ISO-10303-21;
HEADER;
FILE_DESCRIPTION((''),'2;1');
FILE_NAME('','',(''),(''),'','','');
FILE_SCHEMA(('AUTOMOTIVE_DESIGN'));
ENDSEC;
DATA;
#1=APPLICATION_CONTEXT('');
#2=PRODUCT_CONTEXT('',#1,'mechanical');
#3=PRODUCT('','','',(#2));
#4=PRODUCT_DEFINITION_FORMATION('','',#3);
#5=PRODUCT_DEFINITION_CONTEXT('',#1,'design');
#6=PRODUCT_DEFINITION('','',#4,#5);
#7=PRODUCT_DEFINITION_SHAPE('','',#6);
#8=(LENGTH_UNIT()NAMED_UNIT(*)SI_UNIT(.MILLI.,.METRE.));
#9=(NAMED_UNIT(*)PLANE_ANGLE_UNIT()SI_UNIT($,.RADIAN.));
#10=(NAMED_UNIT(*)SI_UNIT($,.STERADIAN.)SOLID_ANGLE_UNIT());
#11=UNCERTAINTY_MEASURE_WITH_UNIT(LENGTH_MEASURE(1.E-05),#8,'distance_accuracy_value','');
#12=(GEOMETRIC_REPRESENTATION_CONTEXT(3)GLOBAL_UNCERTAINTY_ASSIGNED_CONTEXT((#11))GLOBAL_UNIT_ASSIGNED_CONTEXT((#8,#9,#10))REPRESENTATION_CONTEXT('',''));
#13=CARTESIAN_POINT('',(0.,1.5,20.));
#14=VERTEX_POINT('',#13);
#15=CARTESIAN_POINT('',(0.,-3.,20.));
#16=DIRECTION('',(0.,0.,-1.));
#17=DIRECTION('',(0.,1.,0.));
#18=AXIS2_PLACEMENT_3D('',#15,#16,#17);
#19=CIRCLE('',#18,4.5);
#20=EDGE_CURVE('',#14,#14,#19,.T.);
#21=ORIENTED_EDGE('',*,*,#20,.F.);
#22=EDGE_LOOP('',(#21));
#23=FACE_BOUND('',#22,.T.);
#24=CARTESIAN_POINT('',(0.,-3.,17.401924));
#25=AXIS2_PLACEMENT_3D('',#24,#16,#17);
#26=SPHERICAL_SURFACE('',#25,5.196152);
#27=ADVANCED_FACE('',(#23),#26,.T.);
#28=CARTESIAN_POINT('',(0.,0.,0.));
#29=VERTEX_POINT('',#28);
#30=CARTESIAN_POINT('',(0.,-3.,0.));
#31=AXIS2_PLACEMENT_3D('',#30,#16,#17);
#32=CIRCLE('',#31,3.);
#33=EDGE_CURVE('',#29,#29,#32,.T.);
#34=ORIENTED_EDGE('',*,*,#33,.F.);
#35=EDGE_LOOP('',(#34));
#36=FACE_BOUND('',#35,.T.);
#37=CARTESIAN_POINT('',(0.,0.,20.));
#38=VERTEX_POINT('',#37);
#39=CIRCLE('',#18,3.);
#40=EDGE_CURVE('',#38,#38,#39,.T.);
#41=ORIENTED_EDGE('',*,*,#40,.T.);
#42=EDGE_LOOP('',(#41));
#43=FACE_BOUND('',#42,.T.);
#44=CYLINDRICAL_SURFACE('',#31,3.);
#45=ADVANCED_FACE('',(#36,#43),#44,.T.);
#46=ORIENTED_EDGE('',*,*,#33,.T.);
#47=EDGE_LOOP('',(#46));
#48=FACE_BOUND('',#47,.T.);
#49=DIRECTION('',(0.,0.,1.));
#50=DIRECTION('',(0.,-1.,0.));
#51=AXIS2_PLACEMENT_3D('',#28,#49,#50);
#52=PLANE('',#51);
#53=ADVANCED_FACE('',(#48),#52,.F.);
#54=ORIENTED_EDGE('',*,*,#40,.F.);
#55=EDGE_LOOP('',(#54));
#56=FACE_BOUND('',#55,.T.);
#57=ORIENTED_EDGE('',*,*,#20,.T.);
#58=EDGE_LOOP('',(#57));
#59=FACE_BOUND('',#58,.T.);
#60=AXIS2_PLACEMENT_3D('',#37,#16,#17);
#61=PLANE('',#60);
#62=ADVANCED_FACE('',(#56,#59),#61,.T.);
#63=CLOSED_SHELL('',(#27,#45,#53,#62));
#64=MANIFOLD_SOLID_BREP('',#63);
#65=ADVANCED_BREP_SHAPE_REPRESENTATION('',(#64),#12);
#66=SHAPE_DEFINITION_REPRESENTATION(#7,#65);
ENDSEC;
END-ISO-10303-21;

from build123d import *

# Parameters (mm, degrees)
SKETCH1_W = 3.000000096
SKETCH1_H = 19.999999878


with BuildPart() as part:
    # Sketch1 → Revolve2 (revolve)
    with BuildSketch(Plane.YZ):
        with BuildLine():
            Line((-3.000000096, 22.598076026), (-3.000000096, 19.999999878))
            Line((-3.000000096, 19.999999878), (0, 19.999999878))
            Line((0, 19.999999878), (1.499999794, 19.999999878))
            ThreePointArc((1.499999794, 19.999999878), (-0.401923948, 21.90192362), (-3.000000096, 22.598076026))
        make_face()
        with Locations((-1.500000048, 9.999999939)):
            Rectangle(SKETCH1_W, SKETCH1_H)
    revolve(axis=Axis((0, -3.000000096, 0), (0, 0, 1)))


solid = part.part
